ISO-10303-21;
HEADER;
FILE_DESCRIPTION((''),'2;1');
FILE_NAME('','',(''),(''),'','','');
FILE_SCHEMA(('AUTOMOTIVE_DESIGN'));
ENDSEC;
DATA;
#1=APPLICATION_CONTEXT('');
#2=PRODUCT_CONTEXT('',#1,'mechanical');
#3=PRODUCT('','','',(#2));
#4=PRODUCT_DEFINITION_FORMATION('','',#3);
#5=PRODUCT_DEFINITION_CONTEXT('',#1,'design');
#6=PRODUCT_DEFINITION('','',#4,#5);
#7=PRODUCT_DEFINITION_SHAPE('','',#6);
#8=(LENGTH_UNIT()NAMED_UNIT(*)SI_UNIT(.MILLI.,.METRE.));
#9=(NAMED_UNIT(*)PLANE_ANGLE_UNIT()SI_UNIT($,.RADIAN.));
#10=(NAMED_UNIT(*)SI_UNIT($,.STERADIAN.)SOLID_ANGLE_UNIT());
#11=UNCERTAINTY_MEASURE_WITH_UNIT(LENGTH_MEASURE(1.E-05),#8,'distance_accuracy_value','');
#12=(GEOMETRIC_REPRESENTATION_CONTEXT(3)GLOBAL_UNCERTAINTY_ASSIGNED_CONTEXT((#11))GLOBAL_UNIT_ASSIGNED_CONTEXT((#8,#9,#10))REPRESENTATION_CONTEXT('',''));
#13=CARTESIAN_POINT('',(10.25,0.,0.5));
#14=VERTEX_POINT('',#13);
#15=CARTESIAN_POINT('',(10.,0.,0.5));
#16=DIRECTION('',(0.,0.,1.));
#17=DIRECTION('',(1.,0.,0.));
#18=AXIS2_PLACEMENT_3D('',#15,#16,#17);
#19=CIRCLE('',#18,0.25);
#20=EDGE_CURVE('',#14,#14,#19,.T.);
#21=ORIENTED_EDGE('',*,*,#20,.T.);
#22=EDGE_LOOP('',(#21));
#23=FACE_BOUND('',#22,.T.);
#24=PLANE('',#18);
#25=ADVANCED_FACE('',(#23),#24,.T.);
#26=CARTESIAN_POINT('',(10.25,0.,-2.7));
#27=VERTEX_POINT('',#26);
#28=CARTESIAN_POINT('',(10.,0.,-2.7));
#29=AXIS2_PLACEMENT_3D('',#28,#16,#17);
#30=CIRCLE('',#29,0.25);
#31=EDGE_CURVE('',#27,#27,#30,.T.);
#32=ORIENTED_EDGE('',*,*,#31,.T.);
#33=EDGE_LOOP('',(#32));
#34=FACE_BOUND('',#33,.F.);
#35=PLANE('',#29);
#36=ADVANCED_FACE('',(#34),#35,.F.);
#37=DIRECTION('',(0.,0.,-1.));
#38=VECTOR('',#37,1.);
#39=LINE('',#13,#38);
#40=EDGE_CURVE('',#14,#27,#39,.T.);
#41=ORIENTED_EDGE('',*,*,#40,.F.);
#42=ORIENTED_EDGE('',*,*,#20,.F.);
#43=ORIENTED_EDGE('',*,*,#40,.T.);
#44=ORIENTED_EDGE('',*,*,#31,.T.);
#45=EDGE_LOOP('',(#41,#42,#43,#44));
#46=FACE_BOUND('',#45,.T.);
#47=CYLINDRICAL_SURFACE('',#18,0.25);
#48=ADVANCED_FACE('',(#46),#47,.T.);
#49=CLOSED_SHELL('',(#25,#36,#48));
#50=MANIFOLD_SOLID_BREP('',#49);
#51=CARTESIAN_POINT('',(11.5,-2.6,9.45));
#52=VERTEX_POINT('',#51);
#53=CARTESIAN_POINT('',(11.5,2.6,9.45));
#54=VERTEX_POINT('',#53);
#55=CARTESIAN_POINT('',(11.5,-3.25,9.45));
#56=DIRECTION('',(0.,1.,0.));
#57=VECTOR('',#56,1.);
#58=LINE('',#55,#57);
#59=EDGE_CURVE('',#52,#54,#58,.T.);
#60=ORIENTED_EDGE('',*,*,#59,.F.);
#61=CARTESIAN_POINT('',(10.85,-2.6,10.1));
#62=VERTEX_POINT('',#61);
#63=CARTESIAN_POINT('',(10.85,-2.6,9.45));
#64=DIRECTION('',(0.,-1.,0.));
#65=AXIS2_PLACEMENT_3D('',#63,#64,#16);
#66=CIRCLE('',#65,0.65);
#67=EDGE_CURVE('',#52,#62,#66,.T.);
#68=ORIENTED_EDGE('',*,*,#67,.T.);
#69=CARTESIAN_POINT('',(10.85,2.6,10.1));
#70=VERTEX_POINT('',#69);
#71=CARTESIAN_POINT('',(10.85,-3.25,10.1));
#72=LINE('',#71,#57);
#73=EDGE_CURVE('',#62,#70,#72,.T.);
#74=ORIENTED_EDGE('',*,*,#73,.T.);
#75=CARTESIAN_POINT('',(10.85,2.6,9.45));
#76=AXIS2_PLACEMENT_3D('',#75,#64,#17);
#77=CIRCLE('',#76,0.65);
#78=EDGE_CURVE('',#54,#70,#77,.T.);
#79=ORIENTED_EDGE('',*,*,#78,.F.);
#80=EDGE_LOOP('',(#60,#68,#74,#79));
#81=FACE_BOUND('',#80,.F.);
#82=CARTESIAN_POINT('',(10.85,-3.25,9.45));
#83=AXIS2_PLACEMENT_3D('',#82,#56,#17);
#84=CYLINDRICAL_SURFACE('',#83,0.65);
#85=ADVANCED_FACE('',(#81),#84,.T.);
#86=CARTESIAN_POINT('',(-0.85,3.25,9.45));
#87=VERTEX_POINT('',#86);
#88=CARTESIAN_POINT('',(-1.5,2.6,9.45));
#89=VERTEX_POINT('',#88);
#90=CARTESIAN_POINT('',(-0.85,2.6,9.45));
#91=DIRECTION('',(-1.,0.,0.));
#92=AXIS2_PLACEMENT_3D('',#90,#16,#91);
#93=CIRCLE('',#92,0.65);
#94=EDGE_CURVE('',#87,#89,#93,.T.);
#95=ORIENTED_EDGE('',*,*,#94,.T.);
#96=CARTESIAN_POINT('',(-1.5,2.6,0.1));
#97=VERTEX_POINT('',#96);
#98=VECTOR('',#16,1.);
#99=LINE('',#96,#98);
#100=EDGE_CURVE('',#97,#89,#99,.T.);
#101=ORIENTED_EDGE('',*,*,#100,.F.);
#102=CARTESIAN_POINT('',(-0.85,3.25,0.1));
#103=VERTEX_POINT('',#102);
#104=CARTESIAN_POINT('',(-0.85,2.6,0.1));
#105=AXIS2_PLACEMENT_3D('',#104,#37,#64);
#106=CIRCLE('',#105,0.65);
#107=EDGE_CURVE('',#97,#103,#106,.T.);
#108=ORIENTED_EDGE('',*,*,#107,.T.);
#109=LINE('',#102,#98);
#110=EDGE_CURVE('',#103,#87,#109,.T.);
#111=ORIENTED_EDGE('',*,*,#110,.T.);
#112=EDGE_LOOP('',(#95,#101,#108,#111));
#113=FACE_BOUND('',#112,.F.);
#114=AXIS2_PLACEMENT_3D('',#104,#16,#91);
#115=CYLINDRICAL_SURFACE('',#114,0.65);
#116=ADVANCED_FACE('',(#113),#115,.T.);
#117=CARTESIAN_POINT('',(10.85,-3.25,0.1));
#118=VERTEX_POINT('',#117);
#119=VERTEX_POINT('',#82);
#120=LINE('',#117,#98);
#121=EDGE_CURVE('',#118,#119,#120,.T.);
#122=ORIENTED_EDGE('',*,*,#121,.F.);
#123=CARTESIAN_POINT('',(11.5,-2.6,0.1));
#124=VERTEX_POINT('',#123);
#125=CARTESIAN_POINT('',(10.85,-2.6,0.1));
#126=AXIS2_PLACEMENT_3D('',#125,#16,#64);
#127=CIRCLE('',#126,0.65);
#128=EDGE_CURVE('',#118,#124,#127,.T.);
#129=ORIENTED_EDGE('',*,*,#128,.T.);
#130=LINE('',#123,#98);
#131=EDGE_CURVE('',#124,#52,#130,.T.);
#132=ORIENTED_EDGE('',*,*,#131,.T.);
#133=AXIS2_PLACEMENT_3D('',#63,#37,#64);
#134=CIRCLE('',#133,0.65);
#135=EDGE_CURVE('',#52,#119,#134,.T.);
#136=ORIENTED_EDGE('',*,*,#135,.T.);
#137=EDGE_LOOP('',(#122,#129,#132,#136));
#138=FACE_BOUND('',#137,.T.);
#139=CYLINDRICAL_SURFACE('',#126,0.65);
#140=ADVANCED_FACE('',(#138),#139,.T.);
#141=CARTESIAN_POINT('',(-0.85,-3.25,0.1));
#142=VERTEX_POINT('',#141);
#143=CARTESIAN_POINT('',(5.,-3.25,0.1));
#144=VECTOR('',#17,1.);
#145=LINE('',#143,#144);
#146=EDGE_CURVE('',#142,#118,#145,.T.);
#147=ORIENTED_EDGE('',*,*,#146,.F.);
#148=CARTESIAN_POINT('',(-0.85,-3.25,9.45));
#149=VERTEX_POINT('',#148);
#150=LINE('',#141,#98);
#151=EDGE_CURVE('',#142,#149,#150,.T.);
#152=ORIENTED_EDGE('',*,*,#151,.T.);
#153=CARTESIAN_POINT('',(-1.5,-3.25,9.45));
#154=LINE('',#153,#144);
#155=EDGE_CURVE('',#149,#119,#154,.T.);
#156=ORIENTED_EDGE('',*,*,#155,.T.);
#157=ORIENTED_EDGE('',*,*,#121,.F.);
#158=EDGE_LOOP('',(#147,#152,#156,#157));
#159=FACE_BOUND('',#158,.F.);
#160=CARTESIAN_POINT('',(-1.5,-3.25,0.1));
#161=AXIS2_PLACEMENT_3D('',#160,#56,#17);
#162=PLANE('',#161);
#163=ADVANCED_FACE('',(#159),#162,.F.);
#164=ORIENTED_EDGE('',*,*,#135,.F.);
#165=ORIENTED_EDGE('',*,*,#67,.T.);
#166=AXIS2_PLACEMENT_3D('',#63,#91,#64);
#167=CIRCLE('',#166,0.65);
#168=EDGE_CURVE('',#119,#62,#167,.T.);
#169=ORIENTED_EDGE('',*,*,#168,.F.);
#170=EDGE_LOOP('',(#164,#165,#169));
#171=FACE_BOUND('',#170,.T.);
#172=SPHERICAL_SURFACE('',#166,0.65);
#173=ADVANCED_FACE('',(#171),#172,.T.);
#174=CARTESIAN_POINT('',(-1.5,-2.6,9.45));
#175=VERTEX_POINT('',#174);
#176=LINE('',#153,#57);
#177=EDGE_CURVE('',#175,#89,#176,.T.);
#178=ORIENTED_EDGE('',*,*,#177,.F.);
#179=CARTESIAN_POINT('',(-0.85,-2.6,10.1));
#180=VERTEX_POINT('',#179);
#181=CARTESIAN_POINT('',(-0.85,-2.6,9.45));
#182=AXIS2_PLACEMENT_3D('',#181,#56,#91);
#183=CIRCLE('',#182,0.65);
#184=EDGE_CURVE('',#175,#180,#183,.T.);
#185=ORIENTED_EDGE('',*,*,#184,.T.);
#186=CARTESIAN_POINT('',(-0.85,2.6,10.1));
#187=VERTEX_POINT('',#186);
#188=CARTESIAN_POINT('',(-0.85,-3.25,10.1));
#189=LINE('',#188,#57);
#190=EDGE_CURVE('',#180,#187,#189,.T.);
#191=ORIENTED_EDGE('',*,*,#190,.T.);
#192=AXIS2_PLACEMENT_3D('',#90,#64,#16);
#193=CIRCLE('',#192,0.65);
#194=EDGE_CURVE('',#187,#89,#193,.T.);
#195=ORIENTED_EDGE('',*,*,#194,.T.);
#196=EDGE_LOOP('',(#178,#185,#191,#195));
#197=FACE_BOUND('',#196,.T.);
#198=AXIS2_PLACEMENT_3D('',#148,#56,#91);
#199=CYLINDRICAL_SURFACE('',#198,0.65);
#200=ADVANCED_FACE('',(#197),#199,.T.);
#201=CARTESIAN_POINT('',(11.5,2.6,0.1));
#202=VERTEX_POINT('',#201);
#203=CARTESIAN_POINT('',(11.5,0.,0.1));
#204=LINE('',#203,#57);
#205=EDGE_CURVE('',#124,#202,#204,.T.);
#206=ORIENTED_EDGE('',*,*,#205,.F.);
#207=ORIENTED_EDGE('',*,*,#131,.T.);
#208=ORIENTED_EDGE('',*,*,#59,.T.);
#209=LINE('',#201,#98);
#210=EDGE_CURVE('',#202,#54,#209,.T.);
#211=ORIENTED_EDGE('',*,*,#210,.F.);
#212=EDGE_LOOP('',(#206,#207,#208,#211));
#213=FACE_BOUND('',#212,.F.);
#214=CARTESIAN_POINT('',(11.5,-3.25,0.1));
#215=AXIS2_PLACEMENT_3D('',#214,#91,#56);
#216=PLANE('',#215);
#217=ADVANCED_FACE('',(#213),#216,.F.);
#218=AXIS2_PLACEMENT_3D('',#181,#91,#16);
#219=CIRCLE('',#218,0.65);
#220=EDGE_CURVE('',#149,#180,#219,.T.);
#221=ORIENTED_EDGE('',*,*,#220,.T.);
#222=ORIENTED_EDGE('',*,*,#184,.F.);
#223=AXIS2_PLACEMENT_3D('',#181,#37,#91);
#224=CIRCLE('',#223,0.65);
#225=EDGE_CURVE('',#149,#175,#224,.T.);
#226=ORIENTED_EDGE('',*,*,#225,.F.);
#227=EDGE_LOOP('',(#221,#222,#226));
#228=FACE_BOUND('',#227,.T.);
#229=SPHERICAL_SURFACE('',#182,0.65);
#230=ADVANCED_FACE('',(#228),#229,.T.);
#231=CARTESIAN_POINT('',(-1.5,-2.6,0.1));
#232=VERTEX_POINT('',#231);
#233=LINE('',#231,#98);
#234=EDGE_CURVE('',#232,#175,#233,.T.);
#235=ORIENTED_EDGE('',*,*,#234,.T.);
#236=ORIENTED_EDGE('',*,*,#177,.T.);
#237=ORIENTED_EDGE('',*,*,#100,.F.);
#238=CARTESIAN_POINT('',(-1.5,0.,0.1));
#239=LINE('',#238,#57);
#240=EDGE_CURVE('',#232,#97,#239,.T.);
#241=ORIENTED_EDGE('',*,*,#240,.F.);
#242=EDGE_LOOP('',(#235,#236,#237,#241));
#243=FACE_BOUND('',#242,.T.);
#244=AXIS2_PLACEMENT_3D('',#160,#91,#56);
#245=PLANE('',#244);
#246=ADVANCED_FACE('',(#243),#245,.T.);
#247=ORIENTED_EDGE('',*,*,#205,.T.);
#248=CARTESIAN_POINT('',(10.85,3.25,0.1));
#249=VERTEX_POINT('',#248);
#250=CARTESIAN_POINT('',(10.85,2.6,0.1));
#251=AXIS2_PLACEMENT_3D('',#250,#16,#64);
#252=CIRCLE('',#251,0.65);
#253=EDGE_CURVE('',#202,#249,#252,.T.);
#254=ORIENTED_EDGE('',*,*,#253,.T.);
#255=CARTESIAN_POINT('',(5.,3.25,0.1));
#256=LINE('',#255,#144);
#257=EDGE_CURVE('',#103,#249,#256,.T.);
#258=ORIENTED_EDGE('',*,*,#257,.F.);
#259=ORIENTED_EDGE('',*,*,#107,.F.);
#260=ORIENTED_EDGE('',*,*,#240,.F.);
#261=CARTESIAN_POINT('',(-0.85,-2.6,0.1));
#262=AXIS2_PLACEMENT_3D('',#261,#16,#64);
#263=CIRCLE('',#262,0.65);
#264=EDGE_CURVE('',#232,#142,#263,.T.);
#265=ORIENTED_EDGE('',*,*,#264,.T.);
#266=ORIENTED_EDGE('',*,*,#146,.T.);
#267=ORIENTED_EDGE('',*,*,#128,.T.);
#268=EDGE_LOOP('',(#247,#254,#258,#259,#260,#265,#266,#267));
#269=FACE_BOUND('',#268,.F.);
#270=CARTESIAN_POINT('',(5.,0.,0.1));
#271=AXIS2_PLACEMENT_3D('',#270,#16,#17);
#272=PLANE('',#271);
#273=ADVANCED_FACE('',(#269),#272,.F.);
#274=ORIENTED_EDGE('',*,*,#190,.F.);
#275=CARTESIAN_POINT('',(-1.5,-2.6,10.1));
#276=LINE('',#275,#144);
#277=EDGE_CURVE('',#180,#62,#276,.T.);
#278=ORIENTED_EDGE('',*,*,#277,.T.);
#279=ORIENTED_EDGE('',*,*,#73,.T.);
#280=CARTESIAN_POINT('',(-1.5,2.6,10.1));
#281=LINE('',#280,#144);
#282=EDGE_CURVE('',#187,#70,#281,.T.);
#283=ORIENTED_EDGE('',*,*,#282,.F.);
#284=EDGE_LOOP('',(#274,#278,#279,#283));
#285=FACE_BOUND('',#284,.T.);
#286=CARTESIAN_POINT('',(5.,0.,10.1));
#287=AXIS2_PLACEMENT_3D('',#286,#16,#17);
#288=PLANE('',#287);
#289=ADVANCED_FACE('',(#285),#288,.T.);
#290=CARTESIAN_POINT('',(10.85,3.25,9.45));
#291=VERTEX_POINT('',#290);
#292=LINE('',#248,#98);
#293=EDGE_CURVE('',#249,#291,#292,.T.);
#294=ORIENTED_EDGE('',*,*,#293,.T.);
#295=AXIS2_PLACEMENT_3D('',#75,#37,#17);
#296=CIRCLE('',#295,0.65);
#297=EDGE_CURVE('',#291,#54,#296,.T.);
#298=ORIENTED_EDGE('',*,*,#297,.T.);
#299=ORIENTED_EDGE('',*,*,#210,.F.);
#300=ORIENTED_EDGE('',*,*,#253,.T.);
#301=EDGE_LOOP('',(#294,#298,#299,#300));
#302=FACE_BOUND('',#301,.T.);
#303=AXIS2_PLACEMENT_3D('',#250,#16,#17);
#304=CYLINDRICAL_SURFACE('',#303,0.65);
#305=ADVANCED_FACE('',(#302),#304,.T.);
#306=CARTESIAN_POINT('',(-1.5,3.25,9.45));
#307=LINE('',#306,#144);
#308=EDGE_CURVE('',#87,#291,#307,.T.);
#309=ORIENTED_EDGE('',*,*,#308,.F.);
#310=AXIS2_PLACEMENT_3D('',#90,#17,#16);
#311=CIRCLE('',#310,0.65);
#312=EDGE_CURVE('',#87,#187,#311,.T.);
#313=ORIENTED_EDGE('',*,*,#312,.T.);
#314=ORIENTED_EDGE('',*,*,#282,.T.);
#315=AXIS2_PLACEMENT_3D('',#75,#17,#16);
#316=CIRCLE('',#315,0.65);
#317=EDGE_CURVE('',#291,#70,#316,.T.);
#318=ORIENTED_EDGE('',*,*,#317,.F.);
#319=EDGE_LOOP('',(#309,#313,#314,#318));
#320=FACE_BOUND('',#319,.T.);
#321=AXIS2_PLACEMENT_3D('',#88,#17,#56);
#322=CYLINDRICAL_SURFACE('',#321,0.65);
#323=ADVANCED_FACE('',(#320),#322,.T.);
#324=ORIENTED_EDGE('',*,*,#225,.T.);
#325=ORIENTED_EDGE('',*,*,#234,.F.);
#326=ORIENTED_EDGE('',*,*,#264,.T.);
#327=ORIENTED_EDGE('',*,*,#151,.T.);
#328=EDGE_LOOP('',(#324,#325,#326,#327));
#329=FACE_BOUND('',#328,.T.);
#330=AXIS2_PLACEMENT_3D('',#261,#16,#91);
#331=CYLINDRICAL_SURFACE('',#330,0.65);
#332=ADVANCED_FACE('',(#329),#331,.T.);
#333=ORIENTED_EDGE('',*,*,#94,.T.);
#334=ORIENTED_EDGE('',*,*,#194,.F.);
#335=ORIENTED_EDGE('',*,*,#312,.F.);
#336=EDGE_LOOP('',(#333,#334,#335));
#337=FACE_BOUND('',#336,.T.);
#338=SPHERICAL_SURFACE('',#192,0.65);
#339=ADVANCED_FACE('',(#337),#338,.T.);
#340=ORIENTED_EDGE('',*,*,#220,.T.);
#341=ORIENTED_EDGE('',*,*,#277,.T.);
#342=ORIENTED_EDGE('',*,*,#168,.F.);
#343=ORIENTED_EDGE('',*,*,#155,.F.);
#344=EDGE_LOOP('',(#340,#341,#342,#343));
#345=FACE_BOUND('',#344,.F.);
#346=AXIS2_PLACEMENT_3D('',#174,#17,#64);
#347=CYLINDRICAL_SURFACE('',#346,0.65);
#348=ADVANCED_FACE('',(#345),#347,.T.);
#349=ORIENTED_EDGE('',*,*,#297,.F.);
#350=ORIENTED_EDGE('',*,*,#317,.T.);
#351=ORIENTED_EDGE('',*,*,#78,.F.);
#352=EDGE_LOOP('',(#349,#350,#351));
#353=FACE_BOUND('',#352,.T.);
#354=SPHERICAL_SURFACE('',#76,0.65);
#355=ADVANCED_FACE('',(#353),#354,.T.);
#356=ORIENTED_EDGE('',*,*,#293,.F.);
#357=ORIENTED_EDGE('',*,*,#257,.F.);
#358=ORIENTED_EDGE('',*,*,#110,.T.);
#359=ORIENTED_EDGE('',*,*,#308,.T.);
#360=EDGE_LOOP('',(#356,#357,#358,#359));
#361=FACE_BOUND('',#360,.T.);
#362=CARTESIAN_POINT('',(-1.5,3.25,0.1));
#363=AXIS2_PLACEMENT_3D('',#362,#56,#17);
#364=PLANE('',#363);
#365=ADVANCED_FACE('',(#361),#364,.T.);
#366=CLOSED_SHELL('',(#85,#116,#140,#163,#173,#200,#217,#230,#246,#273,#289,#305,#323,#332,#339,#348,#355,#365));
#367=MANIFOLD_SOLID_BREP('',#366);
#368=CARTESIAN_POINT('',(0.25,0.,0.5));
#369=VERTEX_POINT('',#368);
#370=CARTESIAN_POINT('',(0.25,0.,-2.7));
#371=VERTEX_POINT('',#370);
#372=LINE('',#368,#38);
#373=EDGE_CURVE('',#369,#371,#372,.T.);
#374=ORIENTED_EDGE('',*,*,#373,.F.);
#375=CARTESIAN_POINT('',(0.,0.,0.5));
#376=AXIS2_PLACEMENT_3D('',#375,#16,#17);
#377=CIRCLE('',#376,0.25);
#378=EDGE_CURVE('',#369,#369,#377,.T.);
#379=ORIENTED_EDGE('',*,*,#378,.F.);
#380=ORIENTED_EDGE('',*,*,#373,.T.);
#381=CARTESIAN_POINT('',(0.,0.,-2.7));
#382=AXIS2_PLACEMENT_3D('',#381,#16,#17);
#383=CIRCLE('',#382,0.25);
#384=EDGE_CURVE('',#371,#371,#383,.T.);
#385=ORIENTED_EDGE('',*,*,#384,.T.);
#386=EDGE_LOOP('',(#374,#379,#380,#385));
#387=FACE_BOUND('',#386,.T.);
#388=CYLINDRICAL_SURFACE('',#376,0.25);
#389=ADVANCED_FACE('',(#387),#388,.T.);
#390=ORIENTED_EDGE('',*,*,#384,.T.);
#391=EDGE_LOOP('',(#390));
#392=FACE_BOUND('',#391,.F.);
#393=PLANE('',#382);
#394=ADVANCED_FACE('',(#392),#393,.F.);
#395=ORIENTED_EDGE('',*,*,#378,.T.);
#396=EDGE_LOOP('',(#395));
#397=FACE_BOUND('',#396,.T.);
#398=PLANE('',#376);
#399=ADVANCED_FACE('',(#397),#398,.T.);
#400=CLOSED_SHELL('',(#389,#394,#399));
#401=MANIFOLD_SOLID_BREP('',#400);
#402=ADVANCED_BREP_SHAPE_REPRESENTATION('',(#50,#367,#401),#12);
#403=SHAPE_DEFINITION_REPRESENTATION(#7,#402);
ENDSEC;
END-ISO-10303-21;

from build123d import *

# Parameters (mm, degrees)
SKETCH_W     = 13
SKETCH_H     = 6.5
PAD_DEPTH    = 10
FILLET_R     = 0.65
SKETCH001_R  = 0.25
PAD001_DEPTH = 3.2


with BuildPart() as fillet_body:
    # Sketch → Pad (new body)
    with BuildSketch(Plane.XY.offset(0.1)):
        with Locations((5, 0)):
            Rectangle(SKETCH_W, SKETCH_H)
    extrude(amount=PAD_DEPTH)

    # Fillet
    fillet_edges = [fillet_body.edges().sort_by_distance(p)[0] for p in [
        (-1.5, 0, 10.1),
        (-1.5, -3.25, 5.1),
        (5, -3.25, 10.1),
        (11.5, -3.25, 5.1),
        (11.5, 0, 10.1),
        (11.5, 3.25, 5.1),
        (5, 3.25, 10.1),
        (-1.5, 3.25, 5.1),
    ]]
    fillet(fillet_edges, radius=FILLET_R)


with BuildPart() as pad001:
    # Sketch001 → Pad001 (new body)
    with BuildSketch(Plane.XY.offset(0.5)):
        Circle(SKETCH001_R)
        with Locations((10, 0)):
            Circle(SKETCH001_R)
    extrude(amount=-PAD001_DEPTH)


solid = Compound([fillet_body.part, pad001.part])
